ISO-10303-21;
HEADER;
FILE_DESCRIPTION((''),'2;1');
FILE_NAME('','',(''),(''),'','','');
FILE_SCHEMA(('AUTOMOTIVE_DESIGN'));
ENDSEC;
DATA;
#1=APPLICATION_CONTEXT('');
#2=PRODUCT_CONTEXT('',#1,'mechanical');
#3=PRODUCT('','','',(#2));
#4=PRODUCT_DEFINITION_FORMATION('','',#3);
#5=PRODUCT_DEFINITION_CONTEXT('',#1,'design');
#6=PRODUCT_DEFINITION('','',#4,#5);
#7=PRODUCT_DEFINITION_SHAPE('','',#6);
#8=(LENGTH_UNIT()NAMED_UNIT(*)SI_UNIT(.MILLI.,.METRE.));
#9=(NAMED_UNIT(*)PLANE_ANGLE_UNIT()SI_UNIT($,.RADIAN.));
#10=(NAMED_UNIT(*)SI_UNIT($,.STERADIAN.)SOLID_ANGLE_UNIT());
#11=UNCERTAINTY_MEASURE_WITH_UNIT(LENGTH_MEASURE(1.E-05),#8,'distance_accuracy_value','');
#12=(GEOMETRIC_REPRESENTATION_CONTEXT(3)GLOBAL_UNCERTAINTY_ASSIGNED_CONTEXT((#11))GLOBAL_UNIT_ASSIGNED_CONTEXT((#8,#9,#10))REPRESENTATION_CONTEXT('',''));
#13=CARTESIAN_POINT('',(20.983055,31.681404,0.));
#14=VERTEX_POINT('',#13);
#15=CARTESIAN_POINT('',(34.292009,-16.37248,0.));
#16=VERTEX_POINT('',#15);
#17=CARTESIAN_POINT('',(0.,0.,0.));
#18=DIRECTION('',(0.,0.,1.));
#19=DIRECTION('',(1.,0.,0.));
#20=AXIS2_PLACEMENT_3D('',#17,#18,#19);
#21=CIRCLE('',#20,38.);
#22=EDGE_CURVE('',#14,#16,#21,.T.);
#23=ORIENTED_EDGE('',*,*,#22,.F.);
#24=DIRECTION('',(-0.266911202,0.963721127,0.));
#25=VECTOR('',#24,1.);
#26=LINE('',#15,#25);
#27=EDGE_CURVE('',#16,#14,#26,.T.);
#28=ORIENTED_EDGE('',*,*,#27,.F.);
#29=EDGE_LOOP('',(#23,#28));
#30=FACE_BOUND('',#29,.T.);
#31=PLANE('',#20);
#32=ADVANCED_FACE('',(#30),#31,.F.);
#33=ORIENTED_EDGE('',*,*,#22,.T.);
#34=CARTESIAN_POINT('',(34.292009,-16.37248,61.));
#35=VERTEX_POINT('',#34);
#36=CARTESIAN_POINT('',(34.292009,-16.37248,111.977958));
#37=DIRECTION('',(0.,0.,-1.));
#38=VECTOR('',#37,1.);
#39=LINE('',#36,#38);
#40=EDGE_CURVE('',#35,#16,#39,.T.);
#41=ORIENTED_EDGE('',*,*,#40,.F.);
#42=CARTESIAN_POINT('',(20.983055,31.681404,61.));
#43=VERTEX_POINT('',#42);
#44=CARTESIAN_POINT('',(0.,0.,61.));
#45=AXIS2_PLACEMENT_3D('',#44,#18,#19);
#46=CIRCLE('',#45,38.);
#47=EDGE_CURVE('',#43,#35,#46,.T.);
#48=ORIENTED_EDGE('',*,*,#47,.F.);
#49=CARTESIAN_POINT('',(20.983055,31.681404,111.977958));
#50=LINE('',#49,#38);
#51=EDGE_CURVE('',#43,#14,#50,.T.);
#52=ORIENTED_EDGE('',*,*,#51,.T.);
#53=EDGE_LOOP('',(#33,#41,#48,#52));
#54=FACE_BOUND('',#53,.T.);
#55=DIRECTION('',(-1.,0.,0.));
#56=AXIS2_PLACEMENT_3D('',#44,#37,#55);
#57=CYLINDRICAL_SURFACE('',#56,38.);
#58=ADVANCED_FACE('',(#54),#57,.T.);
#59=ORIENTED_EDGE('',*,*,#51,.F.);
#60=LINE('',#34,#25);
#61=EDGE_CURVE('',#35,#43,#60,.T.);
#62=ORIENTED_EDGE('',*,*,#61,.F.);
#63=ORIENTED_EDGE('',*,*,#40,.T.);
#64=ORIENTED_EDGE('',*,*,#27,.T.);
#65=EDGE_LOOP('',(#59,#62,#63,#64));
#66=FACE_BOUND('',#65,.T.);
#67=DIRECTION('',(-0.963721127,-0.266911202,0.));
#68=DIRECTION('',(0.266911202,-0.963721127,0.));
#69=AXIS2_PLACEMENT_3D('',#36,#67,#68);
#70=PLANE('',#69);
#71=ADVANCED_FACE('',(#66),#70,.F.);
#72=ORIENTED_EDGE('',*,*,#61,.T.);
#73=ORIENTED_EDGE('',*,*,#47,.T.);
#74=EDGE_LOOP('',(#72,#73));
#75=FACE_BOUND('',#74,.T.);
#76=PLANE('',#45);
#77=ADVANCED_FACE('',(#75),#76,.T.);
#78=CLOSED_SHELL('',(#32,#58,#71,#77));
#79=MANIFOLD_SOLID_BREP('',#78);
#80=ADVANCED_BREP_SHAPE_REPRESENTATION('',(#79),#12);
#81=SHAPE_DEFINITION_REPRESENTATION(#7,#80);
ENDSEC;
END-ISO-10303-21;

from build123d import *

# Parameters (mm, degrees)
SKETCH2_R           = 38
BOSS_EXTRUDE1_DEPTH = 61
CUT_EXTRUDE1_DEPTH  = 61


with BuildPart() as part:
    # Sketch2 → Boss-Extrude1 (new body)
    with BuildSketch(Plane.XY):
        with Locations(Location((0, 0, 0), (0, 0, 180))):
            Circle(SKETCH2_R)
    extrude(amount=BOSS_EXTRUDE1_DEPTH)

    # Sketch3 → Cut-Extrude1 (cut)
    with BuildSketch(Plane(origin=(0, 0, 0), x_dir=(-1, 0, 0), z_dir=(0, 0, -1))):
        with BuildLine():
            Line((-34.292009263, -16.372479981), (-20.983055337, 31.681404463))
            ThreePointArc((-20.983055337, 31.681404463), (-36.621402815, 10.142625688), (-34.292009263, -16.372479981))
        make_face()
    extrude(amount=-CUT_EXTRUDE1_DEPTH, mode=Mode.SUBTRACT)


solid = part.part
